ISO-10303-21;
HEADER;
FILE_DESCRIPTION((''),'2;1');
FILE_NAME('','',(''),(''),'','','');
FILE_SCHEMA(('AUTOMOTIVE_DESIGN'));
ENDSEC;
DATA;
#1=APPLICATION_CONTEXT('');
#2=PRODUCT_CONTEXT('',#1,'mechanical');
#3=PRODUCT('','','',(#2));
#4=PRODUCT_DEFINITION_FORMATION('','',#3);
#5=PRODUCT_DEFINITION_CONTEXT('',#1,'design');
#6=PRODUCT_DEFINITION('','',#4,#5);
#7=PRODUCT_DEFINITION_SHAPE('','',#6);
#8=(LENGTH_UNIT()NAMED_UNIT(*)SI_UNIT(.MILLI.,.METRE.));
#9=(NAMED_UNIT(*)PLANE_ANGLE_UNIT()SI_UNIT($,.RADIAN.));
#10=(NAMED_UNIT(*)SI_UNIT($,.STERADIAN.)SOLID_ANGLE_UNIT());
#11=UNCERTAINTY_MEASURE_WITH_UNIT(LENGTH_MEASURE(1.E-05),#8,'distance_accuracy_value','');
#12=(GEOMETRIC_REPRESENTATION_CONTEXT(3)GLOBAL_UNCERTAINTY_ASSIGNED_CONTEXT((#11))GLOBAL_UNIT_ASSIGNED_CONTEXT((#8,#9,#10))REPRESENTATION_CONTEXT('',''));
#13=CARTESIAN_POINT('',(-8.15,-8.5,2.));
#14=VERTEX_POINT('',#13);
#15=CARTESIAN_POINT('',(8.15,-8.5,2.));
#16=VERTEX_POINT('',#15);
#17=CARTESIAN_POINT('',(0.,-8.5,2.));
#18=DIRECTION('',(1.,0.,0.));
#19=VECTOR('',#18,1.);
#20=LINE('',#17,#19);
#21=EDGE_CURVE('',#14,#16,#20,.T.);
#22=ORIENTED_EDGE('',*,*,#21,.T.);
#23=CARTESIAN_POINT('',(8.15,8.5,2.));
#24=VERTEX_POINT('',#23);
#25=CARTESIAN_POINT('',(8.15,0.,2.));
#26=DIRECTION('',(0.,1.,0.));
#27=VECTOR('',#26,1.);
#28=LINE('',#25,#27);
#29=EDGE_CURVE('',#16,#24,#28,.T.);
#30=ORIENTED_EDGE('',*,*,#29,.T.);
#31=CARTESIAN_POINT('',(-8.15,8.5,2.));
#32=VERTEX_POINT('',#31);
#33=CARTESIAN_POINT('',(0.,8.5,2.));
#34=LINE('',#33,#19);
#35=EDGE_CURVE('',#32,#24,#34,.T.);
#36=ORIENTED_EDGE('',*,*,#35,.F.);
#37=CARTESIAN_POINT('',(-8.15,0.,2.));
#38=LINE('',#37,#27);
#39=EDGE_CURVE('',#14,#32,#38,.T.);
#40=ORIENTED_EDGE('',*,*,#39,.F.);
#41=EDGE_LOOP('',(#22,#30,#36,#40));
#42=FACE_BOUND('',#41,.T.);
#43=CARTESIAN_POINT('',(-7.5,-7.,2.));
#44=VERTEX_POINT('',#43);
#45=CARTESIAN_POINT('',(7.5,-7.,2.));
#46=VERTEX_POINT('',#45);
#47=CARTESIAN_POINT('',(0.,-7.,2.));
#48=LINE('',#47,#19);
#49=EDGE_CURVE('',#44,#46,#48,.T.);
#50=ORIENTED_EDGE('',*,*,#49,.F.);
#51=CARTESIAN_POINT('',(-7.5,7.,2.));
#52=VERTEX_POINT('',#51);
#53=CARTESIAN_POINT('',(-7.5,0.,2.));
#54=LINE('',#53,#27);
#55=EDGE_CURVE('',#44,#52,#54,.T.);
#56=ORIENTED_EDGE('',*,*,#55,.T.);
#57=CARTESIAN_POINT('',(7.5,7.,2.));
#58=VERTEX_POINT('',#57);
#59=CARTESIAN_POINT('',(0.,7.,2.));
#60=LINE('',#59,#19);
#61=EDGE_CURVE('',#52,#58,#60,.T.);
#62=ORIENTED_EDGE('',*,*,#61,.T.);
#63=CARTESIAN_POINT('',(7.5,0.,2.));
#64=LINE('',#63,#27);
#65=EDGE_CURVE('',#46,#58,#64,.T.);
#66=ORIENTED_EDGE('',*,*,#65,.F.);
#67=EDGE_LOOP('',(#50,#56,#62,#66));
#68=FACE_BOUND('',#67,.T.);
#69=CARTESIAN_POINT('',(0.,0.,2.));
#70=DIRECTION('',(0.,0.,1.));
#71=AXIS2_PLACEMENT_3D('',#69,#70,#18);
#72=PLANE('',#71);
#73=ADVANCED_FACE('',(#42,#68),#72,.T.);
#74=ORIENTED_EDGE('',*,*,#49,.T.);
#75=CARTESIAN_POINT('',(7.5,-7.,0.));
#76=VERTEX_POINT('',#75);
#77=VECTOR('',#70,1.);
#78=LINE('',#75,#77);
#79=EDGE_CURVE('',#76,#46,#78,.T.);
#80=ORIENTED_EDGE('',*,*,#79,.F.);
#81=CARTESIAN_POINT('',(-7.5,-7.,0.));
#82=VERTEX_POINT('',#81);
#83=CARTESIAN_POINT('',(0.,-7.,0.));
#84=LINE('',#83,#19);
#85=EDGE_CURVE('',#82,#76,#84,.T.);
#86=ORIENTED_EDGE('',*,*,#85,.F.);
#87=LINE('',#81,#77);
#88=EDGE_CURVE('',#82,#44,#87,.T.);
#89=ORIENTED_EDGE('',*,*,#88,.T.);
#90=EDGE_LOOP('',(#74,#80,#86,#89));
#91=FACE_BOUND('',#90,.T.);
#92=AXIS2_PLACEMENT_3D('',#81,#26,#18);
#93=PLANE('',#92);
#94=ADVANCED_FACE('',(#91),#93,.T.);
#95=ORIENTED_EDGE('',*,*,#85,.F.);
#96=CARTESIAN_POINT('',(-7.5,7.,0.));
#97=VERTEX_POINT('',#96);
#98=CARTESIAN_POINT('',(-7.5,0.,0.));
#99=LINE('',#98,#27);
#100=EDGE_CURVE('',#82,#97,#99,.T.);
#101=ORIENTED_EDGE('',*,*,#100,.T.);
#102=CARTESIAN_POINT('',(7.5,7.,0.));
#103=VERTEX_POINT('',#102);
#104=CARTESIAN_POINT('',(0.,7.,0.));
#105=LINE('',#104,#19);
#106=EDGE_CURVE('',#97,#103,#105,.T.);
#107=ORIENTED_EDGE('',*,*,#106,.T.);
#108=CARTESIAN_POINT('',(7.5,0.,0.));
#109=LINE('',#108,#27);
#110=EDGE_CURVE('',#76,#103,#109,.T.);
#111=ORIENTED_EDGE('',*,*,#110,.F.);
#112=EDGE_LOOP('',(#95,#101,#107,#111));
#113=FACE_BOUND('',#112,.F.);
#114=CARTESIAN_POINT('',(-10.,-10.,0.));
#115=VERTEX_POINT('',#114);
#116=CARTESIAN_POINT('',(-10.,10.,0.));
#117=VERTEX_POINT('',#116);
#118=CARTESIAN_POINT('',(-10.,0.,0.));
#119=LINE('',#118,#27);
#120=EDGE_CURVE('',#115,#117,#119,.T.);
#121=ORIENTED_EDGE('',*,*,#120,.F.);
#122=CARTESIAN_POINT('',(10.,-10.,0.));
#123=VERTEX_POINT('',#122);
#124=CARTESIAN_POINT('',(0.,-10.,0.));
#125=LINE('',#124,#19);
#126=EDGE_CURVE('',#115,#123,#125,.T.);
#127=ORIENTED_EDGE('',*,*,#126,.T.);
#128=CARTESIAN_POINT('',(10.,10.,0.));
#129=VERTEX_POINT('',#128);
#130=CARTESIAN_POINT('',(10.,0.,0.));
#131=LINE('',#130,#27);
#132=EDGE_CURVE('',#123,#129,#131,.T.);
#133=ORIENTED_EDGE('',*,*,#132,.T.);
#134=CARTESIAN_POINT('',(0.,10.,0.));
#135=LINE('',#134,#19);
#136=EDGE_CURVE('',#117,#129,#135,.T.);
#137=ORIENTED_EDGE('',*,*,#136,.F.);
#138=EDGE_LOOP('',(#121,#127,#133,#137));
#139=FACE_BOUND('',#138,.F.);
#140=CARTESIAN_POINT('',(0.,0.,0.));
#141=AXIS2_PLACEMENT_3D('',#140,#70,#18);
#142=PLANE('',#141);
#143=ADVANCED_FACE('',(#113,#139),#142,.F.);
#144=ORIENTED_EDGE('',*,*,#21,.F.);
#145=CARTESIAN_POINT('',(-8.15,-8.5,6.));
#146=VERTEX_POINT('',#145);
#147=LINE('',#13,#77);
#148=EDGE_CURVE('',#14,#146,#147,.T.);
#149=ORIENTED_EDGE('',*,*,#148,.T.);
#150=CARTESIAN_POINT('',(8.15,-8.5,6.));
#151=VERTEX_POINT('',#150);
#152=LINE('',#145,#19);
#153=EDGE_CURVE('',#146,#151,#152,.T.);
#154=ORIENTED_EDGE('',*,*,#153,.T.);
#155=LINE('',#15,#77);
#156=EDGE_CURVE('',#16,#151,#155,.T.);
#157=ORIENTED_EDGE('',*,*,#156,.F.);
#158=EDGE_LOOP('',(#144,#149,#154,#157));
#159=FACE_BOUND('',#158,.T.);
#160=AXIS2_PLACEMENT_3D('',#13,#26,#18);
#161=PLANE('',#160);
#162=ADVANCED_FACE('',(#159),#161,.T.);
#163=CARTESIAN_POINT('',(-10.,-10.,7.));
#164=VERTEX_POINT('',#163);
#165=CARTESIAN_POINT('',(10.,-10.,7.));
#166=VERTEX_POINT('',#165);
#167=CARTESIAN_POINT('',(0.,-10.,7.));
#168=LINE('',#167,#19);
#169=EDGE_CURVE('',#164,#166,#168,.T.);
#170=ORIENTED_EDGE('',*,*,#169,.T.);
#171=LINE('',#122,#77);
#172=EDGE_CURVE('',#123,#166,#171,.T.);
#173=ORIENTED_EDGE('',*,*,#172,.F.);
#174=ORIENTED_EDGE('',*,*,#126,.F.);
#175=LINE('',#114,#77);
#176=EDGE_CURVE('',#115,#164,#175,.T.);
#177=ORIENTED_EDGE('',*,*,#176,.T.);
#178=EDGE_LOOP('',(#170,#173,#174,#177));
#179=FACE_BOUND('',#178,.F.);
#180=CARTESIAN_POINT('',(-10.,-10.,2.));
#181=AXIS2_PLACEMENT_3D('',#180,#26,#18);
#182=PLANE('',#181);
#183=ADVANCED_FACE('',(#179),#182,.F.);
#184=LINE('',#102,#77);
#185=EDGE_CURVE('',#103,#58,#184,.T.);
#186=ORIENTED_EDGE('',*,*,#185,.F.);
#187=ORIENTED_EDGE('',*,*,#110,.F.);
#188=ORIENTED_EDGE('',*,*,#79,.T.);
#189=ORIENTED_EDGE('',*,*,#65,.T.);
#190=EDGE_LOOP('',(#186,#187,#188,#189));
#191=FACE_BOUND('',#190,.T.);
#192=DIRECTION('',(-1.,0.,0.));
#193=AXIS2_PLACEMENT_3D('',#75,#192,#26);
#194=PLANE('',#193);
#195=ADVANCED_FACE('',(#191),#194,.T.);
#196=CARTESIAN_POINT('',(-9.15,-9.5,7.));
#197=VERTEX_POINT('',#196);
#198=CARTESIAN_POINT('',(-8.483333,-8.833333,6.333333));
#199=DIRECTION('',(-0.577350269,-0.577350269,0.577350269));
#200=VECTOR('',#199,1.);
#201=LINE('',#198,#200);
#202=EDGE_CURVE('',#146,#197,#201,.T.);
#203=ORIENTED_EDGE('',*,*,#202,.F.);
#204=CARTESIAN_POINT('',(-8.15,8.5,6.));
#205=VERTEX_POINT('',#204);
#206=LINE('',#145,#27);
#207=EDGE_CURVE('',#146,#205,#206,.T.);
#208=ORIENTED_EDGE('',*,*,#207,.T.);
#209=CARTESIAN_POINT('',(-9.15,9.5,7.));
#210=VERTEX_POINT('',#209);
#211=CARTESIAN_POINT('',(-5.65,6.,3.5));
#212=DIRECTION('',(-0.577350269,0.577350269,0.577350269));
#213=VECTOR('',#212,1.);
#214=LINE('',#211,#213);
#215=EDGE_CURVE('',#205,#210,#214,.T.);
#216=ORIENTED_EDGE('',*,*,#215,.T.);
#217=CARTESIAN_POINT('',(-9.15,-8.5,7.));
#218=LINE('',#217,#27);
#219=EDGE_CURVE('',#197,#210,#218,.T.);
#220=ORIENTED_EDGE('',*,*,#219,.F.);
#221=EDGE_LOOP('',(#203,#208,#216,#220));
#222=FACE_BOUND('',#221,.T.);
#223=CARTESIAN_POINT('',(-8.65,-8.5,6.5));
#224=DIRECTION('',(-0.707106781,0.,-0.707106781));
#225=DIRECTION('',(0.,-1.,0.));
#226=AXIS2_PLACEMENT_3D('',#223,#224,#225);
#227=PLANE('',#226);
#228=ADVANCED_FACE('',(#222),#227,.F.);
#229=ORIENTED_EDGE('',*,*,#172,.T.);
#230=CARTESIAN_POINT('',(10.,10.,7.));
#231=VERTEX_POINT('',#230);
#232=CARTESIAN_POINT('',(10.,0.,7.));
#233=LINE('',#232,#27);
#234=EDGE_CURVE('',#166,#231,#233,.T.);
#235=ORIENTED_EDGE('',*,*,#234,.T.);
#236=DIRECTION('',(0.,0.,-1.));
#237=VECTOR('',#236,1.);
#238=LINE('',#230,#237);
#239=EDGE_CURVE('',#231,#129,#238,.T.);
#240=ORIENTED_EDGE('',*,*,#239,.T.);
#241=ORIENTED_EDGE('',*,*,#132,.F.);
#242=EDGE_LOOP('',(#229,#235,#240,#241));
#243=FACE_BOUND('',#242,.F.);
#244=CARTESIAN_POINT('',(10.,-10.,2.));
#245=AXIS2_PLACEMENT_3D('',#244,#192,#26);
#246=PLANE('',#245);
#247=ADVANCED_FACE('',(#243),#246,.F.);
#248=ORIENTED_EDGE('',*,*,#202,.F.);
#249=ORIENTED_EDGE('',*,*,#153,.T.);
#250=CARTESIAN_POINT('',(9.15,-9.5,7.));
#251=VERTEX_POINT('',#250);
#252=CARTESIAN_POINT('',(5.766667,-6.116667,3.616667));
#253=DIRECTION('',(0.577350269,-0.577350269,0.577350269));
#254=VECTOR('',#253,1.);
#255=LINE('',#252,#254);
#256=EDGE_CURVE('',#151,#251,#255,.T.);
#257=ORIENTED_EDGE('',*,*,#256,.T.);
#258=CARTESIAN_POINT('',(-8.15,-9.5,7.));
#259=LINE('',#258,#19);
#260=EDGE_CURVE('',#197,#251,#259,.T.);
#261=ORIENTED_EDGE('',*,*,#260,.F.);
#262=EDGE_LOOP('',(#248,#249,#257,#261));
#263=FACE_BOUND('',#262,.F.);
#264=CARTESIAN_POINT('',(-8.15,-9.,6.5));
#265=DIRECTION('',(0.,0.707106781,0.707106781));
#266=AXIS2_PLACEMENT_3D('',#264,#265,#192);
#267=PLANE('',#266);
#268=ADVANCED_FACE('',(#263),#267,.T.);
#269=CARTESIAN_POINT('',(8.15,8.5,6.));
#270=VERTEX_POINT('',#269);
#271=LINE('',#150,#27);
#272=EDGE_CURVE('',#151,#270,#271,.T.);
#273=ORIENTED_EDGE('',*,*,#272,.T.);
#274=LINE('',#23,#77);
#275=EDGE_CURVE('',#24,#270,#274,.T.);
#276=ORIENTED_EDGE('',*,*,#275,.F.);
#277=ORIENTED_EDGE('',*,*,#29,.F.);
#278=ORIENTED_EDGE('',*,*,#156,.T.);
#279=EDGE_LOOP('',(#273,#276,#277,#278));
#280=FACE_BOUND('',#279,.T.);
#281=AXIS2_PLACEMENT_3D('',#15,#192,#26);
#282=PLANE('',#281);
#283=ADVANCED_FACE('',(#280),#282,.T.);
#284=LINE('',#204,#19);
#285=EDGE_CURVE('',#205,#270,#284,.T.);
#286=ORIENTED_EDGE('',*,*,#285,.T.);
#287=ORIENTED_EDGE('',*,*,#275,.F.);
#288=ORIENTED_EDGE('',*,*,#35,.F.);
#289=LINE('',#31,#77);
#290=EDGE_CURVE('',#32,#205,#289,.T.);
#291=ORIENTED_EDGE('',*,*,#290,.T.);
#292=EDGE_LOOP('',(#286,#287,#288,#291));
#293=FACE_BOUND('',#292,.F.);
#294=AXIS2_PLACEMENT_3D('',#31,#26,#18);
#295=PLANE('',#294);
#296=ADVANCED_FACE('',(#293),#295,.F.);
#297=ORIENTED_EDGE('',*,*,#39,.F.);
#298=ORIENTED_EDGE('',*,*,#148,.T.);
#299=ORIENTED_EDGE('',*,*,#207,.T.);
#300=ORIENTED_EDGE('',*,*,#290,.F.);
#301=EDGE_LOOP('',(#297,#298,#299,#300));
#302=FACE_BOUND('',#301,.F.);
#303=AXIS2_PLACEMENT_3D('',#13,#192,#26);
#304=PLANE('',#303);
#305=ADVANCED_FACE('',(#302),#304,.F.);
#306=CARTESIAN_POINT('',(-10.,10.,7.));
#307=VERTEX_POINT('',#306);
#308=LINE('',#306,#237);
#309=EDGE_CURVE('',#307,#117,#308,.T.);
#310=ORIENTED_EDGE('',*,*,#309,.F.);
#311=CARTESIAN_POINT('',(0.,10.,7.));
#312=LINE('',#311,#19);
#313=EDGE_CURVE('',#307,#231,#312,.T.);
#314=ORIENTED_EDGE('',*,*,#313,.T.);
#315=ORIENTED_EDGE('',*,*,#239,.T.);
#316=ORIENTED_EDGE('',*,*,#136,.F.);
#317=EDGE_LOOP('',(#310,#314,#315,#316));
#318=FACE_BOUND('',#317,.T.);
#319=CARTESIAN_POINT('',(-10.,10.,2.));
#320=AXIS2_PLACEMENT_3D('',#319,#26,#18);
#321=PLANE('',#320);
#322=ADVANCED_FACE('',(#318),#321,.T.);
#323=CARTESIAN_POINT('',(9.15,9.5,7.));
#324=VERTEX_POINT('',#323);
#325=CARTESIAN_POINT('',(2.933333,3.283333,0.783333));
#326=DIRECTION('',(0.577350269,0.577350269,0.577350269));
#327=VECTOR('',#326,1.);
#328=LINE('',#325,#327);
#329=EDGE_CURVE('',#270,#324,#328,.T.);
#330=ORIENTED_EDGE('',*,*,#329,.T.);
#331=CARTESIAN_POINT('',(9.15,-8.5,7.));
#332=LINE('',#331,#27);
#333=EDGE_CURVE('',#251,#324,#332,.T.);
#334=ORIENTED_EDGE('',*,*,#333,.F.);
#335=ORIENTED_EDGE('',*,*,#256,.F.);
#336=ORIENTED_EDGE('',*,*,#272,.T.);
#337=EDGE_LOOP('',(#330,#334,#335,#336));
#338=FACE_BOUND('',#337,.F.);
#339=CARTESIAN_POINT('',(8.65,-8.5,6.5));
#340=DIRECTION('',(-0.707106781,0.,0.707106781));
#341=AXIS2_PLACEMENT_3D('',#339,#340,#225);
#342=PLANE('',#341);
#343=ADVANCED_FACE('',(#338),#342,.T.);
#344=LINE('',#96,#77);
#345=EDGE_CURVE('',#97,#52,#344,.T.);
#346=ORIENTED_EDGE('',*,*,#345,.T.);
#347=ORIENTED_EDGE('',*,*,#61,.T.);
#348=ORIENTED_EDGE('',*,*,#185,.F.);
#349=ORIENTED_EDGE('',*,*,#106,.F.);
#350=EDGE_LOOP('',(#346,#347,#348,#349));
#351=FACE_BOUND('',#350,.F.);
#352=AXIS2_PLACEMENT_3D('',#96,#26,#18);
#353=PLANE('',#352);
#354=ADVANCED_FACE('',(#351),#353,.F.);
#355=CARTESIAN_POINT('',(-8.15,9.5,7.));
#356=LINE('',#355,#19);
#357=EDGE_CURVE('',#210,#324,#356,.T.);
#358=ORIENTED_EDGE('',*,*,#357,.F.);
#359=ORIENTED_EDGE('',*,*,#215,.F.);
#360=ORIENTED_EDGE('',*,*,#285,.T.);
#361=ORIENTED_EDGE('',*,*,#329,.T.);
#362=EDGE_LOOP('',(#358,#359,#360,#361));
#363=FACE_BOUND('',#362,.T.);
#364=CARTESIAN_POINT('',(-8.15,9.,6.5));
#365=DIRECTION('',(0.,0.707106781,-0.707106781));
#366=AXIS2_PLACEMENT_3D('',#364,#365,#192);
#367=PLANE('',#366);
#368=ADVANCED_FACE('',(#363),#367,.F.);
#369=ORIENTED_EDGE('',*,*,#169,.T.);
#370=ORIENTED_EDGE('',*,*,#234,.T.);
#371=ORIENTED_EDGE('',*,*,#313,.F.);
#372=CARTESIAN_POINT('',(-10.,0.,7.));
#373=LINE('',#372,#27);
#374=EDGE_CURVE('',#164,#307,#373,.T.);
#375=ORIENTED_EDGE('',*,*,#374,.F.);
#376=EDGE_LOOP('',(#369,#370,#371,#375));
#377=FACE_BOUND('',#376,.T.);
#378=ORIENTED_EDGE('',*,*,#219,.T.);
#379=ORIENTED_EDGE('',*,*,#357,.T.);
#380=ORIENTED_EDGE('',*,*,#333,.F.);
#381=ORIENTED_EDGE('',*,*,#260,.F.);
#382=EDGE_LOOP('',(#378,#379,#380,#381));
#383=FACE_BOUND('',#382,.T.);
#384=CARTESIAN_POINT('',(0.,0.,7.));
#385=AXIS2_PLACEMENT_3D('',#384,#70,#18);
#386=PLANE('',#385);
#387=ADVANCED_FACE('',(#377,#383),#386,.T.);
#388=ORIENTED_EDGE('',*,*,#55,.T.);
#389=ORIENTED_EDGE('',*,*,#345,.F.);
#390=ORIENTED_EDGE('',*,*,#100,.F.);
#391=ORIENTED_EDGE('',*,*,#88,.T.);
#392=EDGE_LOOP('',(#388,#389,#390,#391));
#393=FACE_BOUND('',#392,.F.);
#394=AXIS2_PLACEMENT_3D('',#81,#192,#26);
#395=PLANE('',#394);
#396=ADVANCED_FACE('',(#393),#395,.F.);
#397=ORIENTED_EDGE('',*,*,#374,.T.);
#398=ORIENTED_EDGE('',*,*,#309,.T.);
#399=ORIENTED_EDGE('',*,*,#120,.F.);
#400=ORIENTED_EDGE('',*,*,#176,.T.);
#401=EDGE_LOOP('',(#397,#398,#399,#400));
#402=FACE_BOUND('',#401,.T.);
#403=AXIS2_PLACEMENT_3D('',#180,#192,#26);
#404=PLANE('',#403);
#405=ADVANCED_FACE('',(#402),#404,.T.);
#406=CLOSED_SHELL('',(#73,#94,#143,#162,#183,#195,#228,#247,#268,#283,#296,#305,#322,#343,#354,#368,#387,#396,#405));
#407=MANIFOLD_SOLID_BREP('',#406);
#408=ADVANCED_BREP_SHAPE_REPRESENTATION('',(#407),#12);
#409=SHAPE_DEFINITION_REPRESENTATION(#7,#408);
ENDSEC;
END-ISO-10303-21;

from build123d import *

# Parameters (mm, degrees)
SKETCH_W      = 20
SKETCH_H      = 20
SKETCH_W_2    = 15
SKETCH_H_2    = 14
PAD_DEPTH     = 2
SKETCH001_W   = 20
SKETCH001_H   = 20
SKETCH001_W_2 = 16.3
SKETCH001_H_2 = 17
PAD001_DEPTH  = 5
CHAMFER_SIZE  = 1


with BuildPart() as part:
    # Sketch → Pad (new body)
    with BuildSketch(Plane.XY):
        Rectangle(SKETCH_W, SKETCH_H)
        Rectangle(SKETCH_W_2, SKETCH_H_2, mode=Mode.SUBTRACT)
    extrude(amount=PAD_DEPTH)

    # Sketch001 (on Face10 of Pad) → Pad001 (join)
    with BuildSketch(Plane.XY.offset(2)):
        Rectangle(SKETCH001_W, SKETCH001_H)
        Rectangle(SKETCH001_W_2, SKETCH001_H_2, mode=Mode.SUBTRACT)
    extrude(amount=PAD001_DEPTH)

    # Chamfer
    chamfer_edges = [part.edges().sort_by_distance(p)[0] for p in [
        (0, 8.5, 7),
        (-8.15, 0, 7),
        (0, -8.5, 7),
        (8.15, 0, 7),
    ]]
    chamfer(chamfer_edges, length=CHAMFER_SIZE)


solid = part.part
